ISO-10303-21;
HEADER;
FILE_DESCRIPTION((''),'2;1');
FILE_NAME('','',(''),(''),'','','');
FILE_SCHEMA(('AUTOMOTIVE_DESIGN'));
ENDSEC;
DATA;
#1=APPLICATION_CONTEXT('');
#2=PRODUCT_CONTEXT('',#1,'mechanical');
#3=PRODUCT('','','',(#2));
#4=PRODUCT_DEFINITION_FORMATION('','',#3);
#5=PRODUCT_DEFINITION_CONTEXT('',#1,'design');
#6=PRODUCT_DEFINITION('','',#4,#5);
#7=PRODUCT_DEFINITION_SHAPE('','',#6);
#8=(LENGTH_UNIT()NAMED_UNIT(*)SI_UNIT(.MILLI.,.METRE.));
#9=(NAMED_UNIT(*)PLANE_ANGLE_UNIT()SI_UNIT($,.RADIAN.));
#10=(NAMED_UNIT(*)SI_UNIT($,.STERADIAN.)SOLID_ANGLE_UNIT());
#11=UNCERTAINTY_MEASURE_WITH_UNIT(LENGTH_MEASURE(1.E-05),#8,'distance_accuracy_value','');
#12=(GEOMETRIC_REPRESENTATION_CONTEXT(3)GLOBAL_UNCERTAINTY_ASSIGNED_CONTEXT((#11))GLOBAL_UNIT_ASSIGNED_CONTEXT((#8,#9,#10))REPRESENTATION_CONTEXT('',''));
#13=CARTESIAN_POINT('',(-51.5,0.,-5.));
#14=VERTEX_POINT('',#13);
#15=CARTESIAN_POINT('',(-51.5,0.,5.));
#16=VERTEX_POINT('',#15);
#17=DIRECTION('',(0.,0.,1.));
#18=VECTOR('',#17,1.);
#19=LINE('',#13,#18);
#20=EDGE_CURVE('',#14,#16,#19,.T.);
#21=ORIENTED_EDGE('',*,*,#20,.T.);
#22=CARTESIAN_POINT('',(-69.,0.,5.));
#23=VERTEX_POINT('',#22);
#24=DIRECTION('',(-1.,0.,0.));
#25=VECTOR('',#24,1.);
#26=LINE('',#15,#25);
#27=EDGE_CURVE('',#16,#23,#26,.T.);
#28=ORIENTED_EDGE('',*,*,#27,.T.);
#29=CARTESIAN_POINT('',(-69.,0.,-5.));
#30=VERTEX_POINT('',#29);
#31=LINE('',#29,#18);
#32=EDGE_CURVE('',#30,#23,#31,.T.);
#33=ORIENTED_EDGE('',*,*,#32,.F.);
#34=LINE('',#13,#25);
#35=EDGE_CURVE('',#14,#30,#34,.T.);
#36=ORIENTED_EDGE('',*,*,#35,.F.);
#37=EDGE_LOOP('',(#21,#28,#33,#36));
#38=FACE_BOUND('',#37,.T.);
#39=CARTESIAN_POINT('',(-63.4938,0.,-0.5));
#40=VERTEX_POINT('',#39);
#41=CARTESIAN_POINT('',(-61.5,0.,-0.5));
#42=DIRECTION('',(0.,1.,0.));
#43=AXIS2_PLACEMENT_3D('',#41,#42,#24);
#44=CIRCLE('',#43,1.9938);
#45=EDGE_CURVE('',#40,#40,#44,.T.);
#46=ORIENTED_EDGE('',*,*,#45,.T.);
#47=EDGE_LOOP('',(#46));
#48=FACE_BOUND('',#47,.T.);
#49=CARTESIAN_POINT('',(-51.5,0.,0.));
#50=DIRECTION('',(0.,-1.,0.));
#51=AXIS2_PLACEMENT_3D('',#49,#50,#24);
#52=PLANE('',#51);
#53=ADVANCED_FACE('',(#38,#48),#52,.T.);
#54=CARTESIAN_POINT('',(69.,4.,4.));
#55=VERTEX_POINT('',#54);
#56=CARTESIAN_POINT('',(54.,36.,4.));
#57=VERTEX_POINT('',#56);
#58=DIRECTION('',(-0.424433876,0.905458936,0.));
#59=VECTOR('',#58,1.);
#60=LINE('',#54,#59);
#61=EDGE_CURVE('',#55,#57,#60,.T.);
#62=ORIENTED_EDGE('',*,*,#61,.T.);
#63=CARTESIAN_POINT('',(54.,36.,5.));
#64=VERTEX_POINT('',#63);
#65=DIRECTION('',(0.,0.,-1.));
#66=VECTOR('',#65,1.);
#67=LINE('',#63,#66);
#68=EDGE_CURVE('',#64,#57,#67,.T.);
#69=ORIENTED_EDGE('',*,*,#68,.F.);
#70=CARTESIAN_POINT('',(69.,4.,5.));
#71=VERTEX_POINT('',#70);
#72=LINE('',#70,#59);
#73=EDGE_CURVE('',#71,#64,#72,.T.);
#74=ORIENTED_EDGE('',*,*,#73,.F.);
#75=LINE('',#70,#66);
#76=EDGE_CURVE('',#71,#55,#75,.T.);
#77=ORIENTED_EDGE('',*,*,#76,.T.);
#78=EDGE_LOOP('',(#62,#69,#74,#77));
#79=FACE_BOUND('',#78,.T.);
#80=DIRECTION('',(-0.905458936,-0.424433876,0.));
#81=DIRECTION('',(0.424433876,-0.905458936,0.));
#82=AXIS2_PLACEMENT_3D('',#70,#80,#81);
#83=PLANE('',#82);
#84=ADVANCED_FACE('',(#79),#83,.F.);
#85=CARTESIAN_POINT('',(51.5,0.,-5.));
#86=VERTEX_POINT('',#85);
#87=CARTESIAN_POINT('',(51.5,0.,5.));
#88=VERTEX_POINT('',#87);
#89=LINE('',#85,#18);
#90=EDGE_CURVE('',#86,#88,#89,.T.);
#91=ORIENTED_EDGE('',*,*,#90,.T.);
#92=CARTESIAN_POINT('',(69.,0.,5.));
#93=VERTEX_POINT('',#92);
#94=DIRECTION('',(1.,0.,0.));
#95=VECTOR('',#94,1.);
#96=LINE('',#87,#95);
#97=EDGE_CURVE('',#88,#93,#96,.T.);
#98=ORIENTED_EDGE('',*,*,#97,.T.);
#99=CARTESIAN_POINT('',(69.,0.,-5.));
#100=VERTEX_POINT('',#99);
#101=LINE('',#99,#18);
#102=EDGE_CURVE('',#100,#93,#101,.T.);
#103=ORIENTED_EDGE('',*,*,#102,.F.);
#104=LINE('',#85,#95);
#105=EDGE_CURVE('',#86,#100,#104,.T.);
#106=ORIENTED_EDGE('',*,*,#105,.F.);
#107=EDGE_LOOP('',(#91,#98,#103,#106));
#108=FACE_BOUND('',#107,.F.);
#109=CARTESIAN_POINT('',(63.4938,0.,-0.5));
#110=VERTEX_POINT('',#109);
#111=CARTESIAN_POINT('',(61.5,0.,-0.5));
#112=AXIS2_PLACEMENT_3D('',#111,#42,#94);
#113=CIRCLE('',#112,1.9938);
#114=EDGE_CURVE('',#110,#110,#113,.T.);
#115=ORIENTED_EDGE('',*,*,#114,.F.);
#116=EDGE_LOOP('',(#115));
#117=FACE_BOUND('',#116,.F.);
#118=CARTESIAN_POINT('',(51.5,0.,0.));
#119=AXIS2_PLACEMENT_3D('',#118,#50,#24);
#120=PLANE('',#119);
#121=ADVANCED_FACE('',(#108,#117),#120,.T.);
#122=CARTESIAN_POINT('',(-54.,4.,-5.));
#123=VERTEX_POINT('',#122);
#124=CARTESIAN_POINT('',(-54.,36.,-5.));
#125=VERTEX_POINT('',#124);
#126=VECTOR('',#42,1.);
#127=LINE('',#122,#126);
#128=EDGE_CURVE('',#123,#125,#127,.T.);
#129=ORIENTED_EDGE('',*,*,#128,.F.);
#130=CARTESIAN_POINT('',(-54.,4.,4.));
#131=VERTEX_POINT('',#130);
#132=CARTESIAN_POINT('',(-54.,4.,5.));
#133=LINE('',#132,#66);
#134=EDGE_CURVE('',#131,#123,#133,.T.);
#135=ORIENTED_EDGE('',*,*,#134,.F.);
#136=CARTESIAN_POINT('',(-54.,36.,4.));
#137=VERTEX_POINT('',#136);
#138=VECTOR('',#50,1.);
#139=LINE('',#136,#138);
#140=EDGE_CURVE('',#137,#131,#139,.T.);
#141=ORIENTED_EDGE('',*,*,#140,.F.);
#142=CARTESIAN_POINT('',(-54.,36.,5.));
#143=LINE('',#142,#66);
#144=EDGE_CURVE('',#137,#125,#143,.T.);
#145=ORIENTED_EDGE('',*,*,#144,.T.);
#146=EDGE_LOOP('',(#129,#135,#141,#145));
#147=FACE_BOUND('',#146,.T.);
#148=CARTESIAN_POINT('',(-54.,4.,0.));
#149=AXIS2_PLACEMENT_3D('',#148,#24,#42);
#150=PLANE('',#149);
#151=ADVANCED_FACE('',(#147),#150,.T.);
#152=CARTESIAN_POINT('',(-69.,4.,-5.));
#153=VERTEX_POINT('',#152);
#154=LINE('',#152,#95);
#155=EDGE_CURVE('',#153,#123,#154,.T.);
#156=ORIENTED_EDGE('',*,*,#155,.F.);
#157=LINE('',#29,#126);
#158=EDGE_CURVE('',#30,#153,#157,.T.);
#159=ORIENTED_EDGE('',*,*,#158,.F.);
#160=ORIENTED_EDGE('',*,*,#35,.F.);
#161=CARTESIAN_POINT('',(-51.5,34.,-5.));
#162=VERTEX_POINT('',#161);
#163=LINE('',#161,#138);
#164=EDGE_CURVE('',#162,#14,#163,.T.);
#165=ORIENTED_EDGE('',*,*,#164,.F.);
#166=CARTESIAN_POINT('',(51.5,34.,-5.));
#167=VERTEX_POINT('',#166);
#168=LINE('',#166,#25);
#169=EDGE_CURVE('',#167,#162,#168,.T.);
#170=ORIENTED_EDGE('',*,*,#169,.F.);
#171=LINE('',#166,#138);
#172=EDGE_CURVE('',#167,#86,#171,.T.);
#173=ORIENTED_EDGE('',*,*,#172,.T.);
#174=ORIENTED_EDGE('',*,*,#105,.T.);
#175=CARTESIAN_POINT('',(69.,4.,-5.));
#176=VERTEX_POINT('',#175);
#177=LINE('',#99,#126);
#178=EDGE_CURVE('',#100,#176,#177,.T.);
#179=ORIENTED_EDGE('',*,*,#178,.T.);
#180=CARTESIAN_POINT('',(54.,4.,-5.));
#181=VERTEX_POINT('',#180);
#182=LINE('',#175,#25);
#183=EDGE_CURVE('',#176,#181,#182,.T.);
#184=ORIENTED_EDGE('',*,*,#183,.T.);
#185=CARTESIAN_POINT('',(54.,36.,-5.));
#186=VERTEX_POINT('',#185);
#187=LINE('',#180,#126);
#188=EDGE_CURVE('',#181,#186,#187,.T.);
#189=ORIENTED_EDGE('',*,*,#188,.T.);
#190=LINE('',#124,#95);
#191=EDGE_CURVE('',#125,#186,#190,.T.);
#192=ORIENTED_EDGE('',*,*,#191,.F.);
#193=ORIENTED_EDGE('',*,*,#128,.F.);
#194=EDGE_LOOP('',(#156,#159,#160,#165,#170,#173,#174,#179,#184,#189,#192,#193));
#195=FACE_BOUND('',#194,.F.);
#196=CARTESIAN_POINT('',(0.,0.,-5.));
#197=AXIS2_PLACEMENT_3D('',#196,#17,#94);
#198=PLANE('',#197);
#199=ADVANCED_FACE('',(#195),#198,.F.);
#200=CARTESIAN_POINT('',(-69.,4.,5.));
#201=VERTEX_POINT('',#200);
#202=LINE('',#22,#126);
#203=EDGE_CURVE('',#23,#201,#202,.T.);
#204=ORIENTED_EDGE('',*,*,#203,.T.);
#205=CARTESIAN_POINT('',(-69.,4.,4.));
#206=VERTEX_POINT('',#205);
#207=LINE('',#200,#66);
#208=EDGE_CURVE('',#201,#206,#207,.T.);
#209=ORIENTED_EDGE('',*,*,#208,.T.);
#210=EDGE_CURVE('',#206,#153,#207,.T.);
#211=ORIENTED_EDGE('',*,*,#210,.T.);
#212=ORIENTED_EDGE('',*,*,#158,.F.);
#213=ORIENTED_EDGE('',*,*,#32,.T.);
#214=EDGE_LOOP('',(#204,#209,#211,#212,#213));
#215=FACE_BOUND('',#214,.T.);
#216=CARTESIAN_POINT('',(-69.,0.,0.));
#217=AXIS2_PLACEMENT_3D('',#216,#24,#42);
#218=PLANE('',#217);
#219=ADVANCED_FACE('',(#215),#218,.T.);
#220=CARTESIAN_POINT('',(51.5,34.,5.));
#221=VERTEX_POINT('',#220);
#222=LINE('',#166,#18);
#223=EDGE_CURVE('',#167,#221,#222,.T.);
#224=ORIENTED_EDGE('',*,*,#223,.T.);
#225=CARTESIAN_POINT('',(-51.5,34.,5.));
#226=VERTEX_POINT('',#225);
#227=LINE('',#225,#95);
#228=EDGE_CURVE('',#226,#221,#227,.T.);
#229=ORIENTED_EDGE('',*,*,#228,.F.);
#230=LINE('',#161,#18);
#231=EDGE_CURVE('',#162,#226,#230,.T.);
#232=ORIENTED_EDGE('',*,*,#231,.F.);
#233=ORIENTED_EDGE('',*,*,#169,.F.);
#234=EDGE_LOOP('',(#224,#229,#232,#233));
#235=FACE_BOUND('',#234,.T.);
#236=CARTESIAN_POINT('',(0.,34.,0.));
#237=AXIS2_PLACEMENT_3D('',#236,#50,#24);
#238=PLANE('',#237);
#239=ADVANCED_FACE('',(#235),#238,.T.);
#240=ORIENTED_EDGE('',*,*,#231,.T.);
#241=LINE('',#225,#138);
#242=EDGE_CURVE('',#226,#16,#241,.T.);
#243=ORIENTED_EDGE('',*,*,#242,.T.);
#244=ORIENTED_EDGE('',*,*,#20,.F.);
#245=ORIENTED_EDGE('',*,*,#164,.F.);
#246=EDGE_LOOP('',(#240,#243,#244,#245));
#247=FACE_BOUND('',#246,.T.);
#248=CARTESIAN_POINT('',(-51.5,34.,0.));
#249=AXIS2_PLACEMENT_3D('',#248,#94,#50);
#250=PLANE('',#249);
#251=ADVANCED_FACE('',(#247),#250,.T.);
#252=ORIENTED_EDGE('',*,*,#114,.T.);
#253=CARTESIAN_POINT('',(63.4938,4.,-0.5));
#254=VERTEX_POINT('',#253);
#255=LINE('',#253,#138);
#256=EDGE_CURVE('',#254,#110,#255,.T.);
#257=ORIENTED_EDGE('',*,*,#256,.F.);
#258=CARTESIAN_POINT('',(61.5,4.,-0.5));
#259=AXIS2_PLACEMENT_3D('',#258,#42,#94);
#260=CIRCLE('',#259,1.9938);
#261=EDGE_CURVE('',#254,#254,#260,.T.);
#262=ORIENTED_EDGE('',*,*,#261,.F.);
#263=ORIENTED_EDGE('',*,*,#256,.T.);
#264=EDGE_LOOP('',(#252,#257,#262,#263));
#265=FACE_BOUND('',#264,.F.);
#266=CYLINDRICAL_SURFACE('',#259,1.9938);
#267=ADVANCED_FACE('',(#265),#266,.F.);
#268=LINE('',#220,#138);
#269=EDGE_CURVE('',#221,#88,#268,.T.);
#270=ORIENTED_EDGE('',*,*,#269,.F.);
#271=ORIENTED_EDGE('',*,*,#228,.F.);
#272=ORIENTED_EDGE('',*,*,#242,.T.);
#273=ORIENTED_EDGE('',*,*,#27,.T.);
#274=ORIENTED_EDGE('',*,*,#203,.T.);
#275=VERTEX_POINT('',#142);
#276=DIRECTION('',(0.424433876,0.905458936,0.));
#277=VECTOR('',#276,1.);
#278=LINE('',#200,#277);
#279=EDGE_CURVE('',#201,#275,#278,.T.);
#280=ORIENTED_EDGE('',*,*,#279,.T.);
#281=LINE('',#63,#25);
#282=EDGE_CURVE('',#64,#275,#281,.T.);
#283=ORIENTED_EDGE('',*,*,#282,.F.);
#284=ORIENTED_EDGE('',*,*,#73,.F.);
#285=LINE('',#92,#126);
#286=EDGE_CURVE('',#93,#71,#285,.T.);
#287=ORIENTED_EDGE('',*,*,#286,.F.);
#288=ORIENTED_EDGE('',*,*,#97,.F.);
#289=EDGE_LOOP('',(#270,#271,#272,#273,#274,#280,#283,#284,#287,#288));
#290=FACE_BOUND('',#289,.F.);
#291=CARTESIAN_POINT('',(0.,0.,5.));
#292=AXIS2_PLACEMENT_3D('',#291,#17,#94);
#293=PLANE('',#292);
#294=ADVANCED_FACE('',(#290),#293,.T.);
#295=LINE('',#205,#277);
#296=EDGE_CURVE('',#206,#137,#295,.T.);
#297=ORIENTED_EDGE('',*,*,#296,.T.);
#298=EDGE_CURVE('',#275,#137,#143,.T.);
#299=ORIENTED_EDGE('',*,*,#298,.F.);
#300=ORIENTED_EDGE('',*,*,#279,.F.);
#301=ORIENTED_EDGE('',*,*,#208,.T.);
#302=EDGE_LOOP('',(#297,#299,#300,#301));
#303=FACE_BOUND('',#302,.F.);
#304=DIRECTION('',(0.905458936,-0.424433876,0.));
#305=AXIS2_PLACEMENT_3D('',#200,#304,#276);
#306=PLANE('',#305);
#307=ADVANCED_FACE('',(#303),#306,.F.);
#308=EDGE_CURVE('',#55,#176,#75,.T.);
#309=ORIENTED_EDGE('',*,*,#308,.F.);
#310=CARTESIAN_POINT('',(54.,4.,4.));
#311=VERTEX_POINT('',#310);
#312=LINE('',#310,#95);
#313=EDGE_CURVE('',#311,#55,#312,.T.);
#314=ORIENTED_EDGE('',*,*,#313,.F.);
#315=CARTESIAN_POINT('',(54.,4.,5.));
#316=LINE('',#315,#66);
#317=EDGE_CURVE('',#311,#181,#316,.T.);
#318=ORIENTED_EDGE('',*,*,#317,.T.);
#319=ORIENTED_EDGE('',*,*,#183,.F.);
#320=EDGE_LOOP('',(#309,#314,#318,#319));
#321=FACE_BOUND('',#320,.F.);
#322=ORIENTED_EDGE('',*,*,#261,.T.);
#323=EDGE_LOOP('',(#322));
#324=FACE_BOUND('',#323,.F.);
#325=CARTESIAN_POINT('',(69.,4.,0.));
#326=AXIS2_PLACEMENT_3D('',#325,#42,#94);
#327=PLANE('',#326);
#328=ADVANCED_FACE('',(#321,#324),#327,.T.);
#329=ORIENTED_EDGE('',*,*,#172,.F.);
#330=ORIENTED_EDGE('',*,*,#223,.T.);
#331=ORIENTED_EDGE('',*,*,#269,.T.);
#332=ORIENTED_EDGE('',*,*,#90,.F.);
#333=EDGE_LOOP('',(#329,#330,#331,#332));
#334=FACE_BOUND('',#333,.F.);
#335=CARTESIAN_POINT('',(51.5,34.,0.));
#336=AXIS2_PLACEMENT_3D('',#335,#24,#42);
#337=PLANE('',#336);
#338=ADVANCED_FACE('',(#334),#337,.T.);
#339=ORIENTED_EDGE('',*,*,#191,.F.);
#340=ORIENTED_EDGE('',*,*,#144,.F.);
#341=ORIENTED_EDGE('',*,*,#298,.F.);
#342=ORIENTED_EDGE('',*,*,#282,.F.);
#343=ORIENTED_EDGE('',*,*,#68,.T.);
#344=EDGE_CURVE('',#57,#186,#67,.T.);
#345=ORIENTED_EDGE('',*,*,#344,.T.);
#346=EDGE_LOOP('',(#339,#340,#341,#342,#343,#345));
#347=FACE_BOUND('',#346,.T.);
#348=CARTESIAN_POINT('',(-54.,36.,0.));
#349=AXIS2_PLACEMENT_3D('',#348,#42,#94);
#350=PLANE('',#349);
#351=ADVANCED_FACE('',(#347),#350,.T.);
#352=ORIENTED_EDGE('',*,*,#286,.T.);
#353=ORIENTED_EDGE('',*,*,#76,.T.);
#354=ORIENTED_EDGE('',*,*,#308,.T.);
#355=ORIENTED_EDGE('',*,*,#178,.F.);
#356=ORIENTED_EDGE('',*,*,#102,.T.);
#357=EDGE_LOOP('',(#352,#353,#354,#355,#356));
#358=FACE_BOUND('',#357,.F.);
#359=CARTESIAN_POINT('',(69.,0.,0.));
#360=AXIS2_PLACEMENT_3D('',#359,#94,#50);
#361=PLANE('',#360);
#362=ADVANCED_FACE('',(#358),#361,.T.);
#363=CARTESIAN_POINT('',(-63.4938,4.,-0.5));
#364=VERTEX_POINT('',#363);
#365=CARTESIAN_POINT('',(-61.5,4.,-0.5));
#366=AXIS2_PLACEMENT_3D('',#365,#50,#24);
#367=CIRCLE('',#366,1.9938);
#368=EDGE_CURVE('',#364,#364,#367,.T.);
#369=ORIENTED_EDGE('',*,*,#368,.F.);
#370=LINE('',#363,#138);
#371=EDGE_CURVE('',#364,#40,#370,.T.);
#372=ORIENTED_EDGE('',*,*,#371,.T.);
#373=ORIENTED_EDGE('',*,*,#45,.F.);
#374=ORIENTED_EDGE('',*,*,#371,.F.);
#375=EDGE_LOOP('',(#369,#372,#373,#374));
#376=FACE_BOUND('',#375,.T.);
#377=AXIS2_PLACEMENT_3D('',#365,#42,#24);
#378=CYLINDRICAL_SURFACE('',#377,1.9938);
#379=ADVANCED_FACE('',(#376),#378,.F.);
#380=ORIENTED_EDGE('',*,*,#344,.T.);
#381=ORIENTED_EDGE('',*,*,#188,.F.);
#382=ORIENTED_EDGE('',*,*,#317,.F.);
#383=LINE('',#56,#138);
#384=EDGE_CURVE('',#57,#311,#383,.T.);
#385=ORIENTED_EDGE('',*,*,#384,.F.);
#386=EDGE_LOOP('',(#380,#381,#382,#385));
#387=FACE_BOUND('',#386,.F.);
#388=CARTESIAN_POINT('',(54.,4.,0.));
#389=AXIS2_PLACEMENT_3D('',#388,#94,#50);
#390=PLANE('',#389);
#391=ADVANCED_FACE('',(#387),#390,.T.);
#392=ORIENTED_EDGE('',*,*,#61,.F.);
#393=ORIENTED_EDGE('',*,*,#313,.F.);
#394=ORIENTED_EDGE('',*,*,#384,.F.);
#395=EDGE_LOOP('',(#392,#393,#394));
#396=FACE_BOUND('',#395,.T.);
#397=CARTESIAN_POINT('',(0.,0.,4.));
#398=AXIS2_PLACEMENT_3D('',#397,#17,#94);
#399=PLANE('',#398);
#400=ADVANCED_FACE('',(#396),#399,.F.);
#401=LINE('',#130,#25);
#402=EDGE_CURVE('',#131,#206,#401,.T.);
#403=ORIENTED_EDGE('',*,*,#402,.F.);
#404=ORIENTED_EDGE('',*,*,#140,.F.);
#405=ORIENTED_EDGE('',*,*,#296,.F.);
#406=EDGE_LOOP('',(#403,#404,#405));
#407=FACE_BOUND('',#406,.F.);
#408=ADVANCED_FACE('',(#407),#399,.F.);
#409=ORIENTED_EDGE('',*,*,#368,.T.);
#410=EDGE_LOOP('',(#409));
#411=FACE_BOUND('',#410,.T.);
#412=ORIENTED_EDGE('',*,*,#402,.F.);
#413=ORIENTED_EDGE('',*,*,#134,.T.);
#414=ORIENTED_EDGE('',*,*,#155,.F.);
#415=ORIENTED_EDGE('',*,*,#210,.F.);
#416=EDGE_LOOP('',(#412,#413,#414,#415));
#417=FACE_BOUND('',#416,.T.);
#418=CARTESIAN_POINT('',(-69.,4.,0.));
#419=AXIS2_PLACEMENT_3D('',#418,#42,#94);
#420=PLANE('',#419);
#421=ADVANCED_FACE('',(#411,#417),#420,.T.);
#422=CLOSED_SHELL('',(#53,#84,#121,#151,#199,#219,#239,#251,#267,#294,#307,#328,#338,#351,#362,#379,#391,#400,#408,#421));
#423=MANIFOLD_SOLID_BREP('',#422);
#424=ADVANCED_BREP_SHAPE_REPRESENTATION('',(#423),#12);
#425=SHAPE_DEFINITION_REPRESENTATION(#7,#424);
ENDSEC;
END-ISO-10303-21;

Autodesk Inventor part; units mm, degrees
ref_plane "YZ Plane" through (0, 0, 0) normal (1, 0, 0) x (0, 1, 0)
ref_plane "XZ Plane" through (0, 0, 0) normal (0, 1, 0) x (-1, 0, 0)
ref_plane "XY Plane" through (0, 0, 0) normal (0, 0, 1) x (1, 0, 0)
sketch "Sketch1" plane through (0, 0, 0) normal (0, 0, 1) x (1, 0, 0)
  point P0 (0, 0)
sketch "Sketch2" plane through (0, 0, 0) normal (0, 0, 1) x (1, 0, 0)
  line L0 (-69, 0) -> (-69, 4)
  line L1 (-69, 4) -> (-54, 4)
  line L2 (-54, 4) -> (-54, 36)
  line L3 (-54, 36) -> (0, 36)
  line L4 (0, 36) -> (0, 34)
  line L5 (0, 34) -> (-51.5, 34)
  line L6 (-51.5, 34) -> (-51.5, 0)
  line L7 (-51.5, 0) -> (-69, 0)
  point P0 (0, 0)
  point P1 (-25.75, 34)
  point P2 (0, 35)
  dimension "d0" = 2
  dimension "d1" = 2.5
  dimension "d2" = 4
  dimension "d3" = 4
  dimension "d4" = 15
  dimension "d6" = 0
  dimension "d8" = 51.5
  dimension "d11" = 34
extrude "Extrusion1" add sketch "Sketch2" along normal mid plane 10
mirror "Mirror1" about plane through (0, 34, 0) normal (1, 0, 0) of "Extrusion1"
sketch "Sketch3" plane through (0, 0, 5) normal (0, 0, 1) x (1, 0, 0)
  line L0 (-54, 36) -> (-54, 4) projected
  line L1 (-54, 36) -> (-54, 4)
  line L2 (-54, 4) -> (-69, 4) projected
  line L3 (-54, 4) -> (-69, 4)
  line L4 (-69, 4) -> (-54, 36)
  point P0 (0, 0)
extrude "Extrusion2" add sketch "Sketch3" against normal blind 1
mirror "Mirror2" about plane through (0, 0, 0) normal (1, 0, 0) of "Extrusion2"
sketch "Sketch4" plane through (54, 4, -5) normal (0, 1, 0) x (1, 0, 0)
  circle A0 centre (7.5, -4.5) radius 1.9938
  line L0 (0, 0) -> (0, -9) projected
  line L1 (15, 0) -> (0, 0) projected
  point P0 (-54, -5)
  point P1 (0, -4.5)
  dimension "d14" = 7.5
  dimension "d15" = 4.5
extrude "Extrusion3" cut sketch "Sketch4" against normal blind 20
mirror "Mirror3" about plane through (0, 0, 0) normal (1, 0, 0) of "Extrusion3"
equation "\"d3\" = d2"
properties part number "KVMMount"
